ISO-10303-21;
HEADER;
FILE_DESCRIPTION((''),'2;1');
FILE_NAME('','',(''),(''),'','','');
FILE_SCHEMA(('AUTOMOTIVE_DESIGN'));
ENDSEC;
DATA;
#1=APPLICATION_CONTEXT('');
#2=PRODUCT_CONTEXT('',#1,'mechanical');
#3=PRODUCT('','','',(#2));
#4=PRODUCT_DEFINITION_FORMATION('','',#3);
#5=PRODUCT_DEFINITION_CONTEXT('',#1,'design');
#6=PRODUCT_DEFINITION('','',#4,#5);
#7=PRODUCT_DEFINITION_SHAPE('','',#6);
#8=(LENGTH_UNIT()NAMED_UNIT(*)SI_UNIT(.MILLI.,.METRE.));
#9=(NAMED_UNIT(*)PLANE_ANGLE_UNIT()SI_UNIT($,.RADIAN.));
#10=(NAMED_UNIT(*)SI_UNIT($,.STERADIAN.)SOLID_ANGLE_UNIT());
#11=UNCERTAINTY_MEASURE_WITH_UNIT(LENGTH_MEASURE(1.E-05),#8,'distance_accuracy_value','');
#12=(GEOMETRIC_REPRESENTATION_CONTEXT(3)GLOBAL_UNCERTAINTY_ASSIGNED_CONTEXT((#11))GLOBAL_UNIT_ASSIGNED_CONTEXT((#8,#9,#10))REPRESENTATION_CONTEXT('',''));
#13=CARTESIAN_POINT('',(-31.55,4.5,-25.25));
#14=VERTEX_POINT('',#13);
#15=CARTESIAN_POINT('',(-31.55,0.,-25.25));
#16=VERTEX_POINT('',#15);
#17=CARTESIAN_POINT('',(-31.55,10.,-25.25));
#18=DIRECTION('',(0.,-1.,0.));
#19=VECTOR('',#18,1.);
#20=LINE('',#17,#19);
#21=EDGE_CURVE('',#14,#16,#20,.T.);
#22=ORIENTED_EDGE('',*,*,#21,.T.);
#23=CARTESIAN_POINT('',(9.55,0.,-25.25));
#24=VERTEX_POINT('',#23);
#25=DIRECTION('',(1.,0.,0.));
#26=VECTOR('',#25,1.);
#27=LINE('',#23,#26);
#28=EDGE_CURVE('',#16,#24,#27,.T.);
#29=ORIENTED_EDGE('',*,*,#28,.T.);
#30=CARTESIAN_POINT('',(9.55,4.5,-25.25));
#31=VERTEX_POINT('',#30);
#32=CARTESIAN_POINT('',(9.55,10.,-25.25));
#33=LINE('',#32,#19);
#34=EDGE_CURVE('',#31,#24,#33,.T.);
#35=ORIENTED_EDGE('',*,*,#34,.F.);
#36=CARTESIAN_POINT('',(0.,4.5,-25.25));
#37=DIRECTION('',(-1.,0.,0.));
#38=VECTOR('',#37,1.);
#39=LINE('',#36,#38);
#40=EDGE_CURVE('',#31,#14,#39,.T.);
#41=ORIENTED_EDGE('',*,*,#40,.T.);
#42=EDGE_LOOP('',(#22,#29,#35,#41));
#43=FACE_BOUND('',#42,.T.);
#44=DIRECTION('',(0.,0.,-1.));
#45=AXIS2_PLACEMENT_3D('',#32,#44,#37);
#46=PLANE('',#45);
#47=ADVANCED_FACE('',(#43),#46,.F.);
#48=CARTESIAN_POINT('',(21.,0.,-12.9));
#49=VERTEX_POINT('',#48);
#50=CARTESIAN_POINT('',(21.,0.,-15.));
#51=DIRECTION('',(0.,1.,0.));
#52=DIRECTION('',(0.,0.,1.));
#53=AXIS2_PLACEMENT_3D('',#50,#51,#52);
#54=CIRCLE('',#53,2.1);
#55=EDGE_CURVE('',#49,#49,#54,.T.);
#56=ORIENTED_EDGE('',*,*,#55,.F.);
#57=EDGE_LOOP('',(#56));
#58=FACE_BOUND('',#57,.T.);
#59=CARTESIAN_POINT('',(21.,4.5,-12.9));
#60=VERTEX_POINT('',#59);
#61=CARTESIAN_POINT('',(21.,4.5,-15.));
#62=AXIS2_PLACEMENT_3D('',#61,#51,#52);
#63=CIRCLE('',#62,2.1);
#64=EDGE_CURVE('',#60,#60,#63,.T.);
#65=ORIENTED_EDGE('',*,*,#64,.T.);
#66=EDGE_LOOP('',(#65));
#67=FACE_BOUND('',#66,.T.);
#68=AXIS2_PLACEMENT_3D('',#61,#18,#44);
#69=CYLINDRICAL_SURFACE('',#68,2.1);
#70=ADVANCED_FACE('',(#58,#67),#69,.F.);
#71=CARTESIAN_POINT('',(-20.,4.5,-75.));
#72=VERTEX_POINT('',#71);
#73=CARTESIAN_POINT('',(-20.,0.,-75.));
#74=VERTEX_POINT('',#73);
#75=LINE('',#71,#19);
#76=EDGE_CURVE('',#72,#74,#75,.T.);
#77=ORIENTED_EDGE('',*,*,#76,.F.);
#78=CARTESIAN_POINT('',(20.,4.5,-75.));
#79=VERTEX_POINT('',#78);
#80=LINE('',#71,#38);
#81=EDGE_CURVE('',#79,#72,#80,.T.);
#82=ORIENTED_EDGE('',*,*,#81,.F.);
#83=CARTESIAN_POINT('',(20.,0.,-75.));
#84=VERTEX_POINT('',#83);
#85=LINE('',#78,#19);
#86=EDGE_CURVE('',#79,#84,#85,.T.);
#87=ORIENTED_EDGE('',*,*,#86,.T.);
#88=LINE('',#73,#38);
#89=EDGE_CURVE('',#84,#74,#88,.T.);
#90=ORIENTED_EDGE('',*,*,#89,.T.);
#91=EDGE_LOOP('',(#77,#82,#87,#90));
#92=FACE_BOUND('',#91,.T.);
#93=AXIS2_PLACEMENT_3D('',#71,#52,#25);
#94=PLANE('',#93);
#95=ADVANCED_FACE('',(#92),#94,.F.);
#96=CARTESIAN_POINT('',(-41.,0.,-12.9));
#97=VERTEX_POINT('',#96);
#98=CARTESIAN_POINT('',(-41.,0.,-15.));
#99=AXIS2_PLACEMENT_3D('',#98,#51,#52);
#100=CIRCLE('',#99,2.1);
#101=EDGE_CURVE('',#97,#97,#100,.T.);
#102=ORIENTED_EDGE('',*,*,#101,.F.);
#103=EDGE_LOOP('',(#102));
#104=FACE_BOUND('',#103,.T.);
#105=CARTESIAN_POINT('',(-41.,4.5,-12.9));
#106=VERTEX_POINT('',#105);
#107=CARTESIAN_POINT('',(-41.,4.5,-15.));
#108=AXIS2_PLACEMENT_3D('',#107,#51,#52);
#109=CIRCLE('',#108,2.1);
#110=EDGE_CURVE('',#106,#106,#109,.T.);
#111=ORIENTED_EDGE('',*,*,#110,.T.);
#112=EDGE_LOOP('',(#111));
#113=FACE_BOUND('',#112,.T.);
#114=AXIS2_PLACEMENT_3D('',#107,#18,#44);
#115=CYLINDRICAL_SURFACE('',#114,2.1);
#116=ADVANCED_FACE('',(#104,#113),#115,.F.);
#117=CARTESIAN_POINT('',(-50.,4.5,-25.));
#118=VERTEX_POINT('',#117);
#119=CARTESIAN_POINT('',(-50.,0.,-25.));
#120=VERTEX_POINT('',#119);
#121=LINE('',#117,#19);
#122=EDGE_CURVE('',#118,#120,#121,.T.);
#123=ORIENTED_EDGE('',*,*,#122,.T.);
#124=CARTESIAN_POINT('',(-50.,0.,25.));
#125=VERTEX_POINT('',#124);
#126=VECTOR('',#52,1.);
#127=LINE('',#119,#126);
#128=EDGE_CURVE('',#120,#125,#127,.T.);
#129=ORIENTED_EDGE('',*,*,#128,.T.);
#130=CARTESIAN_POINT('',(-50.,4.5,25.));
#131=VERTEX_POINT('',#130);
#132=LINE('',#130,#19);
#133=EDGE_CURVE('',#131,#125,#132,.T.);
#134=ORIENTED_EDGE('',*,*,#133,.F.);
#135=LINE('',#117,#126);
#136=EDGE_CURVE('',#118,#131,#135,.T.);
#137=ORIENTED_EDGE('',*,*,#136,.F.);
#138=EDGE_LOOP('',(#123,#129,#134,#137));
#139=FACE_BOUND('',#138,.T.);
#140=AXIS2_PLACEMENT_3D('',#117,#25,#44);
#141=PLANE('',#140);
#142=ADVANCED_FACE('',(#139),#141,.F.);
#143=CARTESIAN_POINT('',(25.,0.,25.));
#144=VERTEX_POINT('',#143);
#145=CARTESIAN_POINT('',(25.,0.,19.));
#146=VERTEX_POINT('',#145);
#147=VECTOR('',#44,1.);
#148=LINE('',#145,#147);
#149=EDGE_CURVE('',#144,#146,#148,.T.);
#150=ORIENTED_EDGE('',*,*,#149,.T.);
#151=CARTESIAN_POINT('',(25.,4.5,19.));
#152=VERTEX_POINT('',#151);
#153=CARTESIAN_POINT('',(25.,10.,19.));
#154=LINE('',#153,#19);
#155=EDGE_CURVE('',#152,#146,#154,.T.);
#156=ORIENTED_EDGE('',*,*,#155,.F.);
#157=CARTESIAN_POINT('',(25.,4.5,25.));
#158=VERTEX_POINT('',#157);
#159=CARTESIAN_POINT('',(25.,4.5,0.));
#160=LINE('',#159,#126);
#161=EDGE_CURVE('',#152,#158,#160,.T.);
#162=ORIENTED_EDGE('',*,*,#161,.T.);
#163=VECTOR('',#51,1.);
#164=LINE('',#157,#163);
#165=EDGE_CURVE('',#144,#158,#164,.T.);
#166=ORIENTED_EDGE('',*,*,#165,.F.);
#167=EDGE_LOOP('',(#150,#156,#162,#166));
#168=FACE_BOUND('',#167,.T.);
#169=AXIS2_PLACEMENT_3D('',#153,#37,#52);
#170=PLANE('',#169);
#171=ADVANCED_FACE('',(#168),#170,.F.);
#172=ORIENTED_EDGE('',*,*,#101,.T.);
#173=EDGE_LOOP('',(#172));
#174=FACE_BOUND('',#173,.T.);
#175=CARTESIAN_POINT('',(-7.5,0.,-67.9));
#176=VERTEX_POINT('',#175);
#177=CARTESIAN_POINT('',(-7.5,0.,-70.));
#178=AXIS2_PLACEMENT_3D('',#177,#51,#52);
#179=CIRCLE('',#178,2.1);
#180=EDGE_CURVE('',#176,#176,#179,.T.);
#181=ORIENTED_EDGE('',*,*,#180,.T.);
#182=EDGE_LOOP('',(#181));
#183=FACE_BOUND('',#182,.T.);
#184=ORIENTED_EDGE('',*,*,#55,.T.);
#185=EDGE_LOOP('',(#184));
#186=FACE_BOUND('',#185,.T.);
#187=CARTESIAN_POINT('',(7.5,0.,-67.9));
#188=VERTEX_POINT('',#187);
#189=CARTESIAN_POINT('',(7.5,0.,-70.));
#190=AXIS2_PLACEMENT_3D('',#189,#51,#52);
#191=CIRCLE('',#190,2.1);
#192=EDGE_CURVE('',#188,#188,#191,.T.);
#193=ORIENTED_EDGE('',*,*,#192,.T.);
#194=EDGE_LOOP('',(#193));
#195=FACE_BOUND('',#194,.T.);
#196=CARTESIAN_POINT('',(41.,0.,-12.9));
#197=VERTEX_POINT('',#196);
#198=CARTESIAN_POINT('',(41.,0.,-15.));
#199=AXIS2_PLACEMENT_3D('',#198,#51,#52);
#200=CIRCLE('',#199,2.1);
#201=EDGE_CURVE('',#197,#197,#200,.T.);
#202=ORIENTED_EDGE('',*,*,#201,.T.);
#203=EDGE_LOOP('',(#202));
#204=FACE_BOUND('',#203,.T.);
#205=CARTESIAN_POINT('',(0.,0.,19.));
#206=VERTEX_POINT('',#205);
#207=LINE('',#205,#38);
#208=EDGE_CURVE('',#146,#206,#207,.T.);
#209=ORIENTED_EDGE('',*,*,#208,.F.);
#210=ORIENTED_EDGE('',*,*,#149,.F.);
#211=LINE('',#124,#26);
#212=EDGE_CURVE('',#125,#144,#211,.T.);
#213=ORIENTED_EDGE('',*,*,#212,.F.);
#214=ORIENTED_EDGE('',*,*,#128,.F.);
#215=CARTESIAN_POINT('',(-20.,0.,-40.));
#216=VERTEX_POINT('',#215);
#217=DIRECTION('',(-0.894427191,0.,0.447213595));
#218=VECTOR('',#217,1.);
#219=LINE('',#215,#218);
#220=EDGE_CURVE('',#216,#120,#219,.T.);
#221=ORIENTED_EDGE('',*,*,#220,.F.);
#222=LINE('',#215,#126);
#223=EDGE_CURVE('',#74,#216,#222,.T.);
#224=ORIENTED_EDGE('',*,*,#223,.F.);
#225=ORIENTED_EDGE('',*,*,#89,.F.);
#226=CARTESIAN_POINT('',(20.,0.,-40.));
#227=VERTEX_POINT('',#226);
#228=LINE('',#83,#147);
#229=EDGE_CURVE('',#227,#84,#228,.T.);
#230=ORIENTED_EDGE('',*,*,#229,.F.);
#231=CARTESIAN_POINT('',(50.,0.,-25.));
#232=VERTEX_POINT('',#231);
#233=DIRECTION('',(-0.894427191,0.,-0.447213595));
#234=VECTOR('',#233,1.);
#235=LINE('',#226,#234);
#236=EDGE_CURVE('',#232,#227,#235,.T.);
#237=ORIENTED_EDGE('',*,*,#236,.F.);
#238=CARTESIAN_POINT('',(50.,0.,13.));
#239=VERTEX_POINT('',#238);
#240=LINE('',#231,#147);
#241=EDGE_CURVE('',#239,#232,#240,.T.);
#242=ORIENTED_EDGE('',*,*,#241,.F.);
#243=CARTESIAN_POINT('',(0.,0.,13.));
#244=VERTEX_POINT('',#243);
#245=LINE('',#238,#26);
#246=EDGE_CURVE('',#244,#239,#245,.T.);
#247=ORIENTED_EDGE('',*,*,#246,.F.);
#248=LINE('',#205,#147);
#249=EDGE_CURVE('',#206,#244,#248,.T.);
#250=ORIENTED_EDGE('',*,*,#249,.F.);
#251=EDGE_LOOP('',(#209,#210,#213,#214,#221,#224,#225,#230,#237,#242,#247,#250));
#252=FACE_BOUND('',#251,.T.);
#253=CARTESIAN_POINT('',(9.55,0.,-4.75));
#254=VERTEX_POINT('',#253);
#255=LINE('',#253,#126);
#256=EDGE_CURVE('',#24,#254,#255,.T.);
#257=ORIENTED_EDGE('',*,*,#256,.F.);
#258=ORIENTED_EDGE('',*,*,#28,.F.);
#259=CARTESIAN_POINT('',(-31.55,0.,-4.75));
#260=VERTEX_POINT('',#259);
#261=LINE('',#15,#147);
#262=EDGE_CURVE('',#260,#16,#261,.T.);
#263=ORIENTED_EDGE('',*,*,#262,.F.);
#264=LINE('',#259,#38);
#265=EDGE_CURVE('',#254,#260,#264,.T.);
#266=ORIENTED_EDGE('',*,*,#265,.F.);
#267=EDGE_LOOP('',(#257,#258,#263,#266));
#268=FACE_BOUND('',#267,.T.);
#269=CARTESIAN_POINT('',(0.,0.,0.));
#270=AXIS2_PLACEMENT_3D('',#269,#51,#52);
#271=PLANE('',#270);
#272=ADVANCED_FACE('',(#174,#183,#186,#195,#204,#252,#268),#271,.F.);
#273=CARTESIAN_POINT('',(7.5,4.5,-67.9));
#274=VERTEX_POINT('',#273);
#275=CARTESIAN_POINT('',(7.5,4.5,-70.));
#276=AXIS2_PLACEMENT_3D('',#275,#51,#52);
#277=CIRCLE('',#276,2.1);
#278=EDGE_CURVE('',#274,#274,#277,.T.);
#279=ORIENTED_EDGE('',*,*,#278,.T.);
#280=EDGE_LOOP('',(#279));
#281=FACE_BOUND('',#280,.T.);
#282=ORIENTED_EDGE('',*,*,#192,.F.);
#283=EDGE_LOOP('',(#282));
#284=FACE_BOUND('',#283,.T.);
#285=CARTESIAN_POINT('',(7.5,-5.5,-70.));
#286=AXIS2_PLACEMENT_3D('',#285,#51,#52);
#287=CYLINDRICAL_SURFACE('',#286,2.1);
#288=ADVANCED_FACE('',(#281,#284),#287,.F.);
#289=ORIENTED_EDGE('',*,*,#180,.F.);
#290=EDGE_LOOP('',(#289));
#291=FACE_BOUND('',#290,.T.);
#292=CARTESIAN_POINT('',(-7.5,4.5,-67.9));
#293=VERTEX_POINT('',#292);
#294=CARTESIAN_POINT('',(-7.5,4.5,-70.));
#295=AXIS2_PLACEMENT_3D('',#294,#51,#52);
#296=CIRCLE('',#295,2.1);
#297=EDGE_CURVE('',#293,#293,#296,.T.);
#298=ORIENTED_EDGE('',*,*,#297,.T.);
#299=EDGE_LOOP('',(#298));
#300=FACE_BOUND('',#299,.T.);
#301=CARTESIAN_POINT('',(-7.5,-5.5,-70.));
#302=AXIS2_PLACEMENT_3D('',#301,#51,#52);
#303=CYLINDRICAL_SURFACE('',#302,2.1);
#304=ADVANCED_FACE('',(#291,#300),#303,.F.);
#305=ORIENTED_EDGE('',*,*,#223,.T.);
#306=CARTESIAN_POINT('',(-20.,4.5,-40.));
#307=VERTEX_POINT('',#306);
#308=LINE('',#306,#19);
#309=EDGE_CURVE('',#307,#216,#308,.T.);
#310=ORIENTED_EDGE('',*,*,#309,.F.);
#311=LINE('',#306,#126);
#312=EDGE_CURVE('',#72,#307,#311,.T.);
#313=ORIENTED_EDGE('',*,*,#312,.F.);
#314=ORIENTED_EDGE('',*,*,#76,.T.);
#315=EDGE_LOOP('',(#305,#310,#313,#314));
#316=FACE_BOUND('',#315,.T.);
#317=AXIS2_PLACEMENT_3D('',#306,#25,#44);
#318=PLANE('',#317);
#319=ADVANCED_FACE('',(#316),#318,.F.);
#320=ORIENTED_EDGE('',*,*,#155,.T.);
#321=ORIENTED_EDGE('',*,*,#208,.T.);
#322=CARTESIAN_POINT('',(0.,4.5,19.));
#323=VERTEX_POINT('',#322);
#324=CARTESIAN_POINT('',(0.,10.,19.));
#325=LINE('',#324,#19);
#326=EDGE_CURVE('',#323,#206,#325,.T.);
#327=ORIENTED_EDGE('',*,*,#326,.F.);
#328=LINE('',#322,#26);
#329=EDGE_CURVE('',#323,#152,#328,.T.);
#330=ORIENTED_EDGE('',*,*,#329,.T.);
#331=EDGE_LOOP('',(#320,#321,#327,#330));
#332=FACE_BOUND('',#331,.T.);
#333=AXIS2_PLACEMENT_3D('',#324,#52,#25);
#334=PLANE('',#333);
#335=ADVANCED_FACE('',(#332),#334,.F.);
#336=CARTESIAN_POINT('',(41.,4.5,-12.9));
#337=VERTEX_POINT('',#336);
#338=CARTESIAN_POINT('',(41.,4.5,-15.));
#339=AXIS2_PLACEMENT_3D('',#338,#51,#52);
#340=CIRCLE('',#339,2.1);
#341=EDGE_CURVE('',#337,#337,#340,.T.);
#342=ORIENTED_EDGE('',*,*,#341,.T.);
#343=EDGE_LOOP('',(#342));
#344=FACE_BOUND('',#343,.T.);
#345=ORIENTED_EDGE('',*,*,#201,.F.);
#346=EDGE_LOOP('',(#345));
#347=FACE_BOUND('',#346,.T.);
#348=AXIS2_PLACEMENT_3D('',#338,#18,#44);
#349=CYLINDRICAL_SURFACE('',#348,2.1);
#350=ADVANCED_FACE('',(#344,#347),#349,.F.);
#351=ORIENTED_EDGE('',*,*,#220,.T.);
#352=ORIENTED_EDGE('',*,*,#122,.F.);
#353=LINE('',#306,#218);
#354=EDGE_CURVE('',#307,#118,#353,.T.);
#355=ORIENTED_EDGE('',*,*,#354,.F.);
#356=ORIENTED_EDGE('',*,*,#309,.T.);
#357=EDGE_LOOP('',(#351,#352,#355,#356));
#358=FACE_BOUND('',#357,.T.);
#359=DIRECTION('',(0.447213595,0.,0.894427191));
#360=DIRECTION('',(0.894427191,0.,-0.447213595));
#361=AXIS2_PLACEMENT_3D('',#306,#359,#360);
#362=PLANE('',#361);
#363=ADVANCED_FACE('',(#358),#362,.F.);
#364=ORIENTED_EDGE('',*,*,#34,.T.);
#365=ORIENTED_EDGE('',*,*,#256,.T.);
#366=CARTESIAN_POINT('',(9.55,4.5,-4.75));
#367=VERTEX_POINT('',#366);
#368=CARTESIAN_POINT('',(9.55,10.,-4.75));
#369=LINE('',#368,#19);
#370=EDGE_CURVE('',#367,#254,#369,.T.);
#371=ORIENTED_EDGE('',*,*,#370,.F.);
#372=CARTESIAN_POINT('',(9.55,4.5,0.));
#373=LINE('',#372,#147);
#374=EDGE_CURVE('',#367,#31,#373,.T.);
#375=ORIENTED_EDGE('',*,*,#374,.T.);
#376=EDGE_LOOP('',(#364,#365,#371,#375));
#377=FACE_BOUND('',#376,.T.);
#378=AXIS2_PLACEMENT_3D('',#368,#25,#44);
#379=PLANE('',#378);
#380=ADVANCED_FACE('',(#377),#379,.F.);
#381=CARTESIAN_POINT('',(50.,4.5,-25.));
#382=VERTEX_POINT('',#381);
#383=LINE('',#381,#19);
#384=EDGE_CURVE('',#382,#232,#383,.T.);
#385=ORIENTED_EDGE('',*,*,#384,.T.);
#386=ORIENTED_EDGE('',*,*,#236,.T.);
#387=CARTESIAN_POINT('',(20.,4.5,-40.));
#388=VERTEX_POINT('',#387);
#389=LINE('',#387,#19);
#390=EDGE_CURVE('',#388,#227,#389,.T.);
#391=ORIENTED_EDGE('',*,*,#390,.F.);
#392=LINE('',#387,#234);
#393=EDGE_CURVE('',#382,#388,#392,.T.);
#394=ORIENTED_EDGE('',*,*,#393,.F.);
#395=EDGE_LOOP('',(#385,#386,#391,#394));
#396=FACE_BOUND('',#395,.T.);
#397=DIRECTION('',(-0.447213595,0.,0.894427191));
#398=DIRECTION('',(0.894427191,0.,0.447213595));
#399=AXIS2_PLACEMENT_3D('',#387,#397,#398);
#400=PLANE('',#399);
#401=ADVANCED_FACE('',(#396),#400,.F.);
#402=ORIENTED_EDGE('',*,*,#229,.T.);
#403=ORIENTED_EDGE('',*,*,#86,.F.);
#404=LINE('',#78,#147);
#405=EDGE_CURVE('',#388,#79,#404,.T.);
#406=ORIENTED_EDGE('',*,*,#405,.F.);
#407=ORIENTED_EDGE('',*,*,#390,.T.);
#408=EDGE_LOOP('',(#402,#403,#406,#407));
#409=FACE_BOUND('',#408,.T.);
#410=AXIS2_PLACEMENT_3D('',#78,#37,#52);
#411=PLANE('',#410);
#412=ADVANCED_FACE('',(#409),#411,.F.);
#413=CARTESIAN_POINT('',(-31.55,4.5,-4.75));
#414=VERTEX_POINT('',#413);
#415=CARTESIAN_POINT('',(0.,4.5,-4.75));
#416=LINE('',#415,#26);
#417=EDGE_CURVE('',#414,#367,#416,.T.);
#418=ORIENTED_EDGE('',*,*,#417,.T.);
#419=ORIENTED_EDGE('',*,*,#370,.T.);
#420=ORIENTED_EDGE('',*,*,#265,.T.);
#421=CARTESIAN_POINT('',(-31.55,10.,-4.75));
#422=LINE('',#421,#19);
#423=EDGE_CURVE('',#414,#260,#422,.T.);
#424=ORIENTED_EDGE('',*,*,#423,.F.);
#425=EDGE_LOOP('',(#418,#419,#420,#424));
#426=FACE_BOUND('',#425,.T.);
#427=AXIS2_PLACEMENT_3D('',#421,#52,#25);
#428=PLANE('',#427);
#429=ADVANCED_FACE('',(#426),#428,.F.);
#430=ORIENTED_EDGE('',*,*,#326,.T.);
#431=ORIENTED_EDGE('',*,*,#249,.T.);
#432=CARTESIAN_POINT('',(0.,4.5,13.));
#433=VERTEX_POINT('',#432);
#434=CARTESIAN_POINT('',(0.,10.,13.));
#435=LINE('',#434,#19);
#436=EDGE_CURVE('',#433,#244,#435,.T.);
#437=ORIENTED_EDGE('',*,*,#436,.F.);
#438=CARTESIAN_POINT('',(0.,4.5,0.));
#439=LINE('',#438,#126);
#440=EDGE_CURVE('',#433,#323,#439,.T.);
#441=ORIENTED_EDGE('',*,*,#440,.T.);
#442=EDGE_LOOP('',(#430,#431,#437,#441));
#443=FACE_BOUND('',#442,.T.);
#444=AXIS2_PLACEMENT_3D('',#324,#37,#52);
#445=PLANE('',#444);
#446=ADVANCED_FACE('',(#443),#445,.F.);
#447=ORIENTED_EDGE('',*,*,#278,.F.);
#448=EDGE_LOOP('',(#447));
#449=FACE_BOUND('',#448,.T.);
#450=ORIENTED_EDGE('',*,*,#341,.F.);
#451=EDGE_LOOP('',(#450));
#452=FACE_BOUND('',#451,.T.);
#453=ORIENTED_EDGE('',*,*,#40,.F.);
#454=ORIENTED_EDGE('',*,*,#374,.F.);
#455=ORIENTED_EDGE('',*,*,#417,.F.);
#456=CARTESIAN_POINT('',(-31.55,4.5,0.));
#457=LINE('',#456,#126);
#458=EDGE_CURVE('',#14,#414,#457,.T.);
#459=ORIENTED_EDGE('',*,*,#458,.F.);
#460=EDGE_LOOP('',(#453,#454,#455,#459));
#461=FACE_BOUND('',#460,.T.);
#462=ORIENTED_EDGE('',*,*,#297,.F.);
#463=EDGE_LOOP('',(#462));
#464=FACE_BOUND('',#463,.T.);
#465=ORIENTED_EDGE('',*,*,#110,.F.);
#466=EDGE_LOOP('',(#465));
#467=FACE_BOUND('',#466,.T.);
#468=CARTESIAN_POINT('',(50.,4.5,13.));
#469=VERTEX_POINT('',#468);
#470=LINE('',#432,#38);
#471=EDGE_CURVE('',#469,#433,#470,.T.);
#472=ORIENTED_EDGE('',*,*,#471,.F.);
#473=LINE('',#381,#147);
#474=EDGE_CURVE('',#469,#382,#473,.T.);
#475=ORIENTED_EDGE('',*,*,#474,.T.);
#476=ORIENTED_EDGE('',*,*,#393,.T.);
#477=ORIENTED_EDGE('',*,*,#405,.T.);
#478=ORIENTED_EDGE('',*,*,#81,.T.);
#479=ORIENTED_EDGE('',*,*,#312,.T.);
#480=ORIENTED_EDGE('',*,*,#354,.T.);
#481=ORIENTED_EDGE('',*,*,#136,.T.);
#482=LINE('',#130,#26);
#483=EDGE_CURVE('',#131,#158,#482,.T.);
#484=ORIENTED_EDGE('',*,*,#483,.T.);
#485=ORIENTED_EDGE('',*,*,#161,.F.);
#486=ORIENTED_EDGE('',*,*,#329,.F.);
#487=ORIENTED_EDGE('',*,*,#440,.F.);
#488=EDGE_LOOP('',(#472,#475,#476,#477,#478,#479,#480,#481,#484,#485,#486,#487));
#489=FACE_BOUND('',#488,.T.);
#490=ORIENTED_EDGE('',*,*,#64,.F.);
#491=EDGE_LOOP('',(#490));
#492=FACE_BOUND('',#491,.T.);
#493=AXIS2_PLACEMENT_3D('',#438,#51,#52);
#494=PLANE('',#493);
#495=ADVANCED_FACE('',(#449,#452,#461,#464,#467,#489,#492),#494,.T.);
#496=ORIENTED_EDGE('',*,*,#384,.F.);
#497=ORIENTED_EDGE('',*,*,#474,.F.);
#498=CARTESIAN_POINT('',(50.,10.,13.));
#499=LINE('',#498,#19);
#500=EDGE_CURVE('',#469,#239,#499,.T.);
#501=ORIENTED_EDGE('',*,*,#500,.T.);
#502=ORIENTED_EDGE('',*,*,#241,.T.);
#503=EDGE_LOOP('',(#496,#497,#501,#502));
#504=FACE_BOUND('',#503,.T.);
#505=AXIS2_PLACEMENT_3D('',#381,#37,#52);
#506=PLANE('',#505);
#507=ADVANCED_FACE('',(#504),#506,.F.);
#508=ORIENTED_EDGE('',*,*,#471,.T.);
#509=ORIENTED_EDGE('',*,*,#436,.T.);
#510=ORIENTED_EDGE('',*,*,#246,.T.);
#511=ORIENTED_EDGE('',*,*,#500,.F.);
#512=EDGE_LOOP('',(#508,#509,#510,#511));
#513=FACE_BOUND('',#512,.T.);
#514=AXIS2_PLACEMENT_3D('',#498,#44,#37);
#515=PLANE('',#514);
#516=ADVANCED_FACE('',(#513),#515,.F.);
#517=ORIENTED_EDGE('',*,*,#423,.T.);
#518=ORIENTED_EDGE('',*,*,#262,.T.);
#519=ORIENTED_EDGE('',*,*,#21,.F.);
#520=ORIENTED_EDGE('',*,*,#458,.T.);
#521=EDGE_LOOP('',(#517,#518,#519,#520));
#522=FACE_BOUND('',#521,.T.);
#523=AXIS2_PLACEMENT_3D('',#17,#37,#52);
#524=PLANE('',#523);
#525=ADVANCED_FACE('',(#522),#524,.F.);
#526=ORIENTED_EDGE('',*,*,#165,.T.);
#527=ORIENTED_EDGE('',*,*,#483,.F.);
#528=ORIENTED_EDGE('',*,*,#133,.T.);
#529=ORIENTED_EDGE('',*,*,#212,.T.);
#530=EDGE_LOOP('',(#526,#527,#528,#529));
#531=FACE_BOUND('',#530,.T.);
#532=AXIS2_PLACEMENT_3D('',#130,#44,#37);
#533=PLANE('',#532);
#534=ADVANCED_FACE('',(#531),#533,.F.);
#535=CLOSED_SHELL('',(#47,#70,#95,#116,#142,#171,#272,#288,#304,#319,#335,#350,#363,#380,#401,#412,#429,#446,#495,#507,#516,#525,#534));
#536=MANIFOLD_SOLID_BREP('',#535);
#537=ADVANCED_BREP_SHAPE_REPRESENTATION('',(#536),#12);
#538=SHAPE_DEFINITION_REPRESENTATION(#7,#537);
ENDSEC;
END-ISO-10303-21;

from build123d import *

# Parameters (mm, degrees)
SKETCH1_R           = 2.1
BOSS_EXTRUDE1_DEPTH = 4.5
SKETCH2_W           = 41.1
SKETCH2_H           = 20.5
CUT_EXTRUDE1_DEPTH  = 10
CUT_EXTRUDE2_DEPTH  = 10
SKETCH4_R           = 2.1
CUT_EXTRUDE3_DEPTH  = 10


with BuildPart() as part:
    # Sketch1 → Boss-Extrude1 (new body)
    with BuildSketch(Plane(origin=(0, 0, 0), x_dir=(1, 0, 0), z_dir=(0, 1, 0))):
        Polygon((20, 40), (50, 25), (50, -25), (-50, -25), (-50, 25), (-20, 40), (-20, 75), (20, 75), align=None)
        with Locations((-41, 15)):
            Circle(SKETCH1_R, mode=Mode.SUBTRACT)
        with Locations((41, 15)):
            Circle(SKETCH1_R, mode=Mode.SUBTRACT)
        with Locations((-21, 15)):
            Circle(SKETCH1_R, mode=Mode.SUBTRACT)
        with Locations((21, 15)):
            Circle(SKETCH1_R, mode=Mode.SUBTRACT)
    extrude(amount=BOSS_EXTRUDE1_DEPTH)

    # Sketch2 → Cut-Extrude1 (cut)
    with BuildSketch(Plane.XZ):
        with Locations((-11, -15)):
            Rectangle(SKETCH2_W, SKETCH2_H)
    extrude(amount=-CUT_EXTRUDE1_DEPTH, mode=Mode.SUBTRACT)

    # Sketch3 → Cut-Extrude2 (cut)
    with BuildSketch(Plane.XZ):
        Polygon((0, 19), (25, 19), (25, 28.725277581), (50, 28.725277581), (50, 19), (50, 13), (0, 13), align=None)
    extrude(amount=-CUT_EXTRUDE2_DEPTH, mode=Mode.SUBTRACT)

    # Sketch4 → Cut-Extrude3 (cut)
    with BuildSketch(Plane(origin=(0, 4.5, 0), x_dir=(1, 0, 0), z_dir=(0, 1, 0))):
        with Locations((7.5, 70)):
            Circle(SKETCH4_R)
        with Locations((-7.5, 70)):
            Circle(SKETCH4_R)
    extrude(amount=-CUT_EXTRUDE3_DEPTH, mode=Mode.SUBTRACT)


solid = part.part
